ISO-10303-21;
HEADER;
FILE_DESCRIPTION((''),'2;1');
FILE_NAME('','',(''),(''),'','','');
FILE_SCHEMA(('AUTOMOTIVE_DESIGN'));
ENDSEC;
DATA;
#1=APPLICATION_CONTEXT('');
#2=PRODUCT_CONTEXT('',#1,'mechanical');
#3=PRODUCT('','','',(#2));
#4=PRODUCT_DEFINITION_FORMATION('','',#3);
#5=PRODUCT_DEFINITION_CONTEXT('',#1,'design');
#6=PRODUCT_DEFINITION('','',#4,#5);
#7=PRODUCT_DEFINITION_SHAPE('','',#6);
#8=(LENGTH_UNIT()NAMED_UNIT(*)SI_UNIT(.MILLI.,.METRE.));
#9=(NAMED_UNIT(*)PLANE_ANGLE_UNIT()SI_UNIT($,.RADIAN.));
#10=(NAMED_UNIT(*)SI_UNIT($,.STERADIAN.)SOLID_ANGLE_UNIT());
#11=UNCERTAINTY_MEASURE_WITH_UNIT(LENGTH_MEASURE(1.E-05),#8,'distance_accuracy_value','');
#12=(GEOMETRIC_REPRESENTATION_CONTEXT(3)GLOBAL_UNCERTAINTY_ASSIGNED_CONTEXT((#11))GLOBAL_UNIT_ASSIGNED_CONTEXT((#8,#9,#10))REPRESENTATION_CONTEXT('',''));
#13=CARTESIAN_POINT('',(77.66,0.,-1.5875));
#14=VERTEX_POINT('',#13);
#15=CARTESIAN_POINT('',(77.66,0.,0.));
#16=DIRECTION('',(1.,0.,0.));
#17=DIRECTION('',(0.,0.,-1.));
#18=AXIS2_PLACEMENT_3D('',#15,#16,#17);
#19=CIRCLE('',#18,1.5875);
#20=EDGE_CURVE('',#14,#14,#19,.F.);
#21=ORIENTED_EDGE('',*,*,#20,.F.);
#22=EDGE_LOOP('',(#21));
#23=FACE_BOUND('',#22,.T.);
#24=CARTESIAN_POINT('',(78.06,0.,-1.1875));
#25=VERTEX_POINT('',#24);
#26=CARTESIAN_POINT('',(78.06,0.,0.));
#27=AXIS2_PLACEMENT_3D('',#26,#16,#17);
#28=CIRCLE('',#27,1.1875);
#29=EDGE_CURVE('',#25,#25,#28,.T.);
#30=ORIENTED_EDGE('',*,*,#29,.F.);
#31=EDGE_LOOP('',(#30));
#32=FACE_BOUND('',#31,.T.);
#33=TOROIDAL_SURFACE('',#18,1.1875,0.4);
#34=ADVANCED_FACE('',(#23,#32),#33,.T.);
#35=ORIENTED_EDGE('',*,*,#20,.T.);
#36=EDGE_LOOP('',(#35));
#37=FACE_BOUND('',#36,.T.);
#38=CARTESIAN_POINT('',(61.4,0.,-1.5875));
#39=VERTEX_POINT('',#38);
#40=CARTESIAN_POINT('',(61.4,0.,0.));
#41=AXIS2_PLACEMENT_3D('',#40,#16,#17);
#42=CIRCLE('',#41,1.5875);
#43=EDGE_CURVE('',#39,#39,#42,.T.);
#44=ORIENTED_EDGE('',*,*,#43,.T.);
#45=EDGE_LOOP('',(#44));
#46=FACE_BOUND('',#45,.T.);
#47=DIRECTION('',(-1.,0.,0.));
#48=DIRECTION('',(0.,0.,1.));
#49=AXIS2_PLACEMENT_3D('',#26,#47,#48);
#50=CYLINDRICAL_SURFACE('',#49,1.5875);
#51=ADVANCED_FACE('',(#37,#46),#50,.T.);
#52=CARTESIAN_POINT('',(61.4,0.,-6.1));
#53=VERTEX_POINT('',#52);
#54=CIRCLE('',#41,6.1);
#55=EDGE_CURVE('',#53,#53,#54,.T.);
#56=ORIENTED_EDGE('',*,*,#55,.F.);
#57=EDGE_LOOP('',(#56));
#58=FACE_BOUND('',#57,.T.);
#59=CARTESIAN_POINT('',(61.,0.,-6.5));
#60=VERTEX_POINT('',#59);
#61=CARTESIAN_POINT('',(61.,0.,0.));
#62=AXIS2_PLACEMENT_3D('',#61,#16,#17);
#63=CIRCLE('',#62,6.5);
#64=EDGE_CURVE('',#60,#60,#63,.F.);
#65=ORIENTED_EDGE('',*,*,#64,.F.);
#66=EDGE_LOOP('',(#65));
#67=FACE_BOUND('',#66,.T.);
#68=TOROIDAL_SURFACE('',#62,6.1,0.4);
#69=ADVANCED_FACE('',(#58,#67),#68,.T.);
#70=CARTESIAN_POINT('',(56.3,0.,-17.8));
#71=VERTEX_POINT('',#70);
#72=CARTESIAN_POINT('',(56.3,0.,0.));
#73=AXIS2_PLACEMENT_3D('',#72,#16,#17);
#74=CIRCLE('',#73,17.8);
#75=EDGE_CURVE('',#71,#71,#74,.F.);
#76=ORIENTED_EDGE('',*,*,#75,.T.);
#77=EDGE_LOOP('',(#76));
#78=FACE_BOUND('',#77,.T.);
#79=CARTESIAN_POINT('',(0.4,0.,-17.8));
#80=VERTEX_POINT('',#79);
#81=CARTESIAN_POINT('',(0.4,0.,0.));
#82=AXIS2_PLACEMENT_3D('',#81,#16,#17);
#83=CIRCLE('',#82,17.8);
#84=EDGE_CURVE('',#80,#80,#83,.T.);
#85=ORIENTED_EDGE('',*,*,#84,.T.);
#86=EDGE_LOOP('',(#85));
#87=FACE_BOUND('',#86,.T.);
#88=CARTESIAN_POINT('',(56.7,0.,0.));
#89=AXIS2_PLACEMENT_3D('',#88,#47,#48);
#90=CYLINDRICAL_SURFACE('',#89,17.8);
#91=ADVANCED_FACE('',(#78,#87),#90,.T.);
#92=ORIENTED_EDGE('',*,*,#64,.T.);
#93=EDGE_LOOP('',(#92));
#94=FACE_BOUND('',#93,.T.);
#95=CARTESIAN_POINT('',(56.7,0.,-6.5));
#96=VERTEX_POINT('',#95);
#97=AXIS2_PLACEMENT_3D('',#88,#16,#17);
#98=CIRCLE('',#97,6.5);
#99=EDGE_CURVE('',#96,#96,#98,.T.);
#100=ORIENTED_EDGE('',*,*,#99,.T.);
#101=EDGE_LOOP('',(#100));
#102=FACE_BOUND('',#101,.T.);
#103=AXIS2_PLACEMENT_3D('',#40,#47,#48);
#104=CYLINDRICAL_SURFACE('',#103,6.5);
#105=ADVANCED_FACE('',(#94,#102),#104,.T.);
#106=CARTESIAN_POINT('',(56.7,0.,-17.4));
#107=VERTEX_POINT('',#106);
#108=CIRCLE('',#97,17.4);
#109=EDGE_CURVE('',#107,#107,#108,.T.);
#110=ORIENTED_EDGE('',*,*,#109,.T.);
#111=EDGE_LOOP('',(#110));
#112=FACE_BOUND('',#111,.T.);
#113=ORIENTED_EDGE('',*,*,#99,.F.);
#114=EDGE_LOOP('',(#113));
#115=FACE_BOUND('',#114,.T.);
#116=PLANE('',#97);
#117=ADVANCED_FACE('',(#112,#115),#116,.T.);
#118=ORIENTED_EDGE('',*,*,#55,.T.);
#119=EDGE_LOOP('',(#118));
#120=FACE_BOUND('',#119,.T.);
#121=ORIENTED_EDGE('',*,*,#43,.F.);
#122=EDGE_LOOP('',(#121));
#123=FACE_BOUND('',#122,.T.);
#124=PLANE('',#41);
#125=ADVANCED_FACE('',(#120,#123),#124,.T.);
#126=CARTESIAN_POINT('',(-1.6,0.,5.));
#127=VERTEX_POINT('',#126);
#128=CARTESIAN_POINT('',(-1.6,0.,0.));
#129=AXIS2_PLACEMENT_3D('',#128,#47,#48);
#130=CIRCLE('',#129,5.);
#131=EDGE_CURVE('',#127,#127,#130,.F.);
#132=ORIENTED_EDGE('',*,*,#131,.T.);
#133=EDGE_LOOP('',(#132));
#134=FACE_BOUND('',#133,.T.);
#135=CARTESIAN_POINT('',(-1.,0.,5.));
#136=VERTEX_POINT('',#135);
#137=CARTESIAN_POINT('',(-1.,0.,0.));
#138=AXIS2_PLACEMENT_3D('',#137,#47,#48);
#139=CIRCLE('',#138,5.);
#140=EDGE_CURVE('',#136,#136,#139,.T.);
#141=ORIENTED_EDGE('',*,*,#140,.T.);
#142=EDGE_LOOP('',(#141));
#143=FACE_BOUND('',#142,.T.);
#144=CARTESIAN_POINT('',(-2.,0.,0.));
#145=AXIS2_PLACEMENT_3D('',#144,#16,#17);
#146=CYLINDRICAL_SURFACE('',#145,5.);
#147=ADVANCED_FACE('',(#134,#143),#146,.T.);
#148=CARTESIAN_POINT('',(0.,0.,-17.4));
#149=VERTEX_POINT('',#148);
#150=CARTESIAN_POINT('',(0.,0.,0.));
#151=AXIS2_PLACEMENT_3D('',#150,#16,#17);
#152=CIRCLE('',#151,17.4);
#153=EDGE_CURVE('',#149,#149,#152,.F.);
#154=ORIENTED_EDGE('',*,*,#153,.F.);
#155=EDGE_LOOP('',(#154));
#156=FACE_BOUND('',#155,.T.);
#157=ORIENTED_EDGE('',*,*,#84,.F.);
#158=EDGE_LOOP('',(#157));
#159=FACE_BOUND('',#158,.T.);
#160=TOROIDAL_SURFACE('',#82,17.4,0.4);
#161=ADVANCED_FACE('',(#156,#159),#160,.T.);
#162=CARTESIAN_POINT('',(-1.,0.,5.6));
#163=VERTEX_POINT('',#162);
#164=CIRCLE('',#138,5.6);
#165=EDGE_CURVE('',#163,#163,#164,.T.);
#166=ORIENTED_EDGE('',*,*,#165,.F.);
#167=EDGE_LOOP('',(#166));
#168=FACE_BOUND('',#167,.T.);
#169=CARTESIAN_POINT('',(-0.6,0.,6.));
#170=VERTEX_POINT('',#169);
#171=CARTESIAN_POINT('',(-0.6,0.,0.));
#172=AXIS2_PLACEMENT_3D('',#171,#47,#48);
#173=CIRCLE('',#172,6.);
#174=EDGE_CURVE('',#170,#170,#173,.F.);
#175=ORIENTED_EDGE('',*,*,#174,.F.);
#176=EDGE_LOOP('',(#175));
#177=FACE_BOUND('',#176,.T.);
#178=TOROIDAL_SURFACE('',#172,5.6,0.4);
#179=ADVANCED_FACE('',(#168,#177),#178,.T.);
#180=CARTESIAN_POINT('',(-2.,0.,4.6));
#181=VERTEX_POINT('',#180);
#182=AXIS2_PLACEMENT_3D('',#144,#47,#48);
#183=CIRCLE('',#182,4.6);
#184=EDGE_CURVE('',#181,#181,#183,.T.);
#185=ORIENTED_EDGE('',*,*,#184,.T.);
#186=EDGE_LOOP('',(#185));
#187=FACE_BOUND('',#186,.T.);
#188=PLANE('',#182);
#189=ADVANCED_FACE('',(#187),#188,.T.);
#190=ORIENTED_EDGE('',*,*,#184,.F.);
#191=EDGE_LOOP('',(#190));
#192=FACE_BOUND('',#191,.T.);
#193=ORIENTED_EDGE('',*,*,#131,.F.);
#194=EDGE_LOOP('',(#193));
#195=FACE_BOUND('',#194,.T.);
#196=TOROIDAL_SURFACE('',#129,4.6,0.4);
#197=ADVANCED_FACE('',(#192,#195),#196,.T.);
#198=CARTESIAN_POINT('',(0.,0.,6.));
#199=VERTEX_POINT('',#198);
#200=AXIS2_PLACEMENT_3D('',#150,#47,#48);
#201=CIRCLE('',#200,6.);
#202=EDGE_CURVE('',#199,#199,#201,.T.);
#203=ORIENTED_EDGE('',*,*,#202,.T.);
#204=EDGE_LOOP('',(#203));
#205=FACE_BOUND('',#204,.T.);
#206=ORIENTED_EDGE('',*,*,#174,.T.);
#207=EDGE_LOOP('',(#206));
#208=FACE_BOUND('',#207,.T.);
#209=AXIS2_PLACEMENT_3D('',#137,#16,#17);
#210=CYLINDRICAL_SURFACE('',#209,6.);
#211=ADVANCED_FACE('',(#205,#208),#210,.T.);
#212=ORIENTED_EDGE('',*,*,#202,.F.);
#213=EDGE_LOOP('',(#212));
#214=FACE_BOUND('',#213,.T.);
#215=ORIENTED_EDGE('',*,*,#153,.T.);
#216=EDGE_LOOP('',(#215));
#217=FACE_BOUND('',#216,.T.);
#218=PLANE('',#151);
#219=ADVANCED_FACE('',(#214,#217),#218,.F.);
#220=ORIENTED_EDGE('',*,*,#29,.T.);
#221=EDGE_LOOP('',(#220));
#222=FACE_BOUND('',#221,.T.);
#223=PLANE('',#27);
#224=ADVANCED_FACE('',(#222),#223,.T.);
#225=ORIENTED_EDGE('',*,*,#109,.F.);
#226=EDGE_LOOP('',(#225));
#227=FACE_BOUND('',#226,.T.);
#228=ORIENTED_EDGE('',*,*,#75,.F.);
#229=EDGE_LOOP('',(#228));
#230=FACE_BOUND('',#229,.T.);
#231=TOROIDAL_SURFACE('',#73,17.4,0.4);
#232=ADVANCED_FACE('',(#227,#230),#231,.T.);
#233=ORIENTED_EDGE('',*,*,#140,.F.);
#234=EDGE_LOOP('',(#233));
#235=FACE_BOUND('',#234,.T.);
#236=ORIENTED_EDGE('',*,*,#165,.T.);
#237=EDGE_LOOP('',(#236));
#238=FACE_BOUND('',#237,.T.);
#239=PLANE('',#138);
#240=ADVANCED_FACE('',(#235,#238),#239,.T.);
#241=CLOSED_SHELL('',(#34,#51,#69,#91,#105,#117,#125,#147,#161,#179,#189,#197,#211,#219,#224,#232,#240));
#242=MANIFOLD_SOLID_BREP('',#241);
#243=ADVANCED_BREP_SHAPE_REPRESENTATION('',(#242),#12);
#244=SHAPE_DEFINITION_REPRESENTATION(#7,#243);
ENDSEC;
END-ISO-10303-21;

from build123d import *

# Parameters (mm, degrees)
CROQUIS1_R              = 17.8
SALIENTE_EXTRUIR1_DEPTH = 56.7
CROQUIS2_R              = 6
SALIENTE_EXTRUIR2_DEPTH = 1
CROQUIS3_R              = 5
SALIENTE_EXTRUIR3_DEPTH = 1
CROQUIS4_R              = 6.5
SALIENTE_EXTRUIR4_DEPTH = 4.7
CROQUIS5_R              = 1.5875
SALIENTE_EXTRUIR5_DEPTH = 16.66
REDONDEO1_R             = 0.4


with BuildPart() as part:
    # Croquis1 → Saliente-Extruir1 (new body)
    with BuildSketch(Plane(origin=(0, 0, 0), x_dir=(0, 0, -1), z_dir=(1, 0, 0))):
        Circle(CROQUIS1_R)
    extrude(amount=SALIENTE_EXTRUIR1_DEPTH)

    # Croquis2 → Saliente-Extruir2 (add)
    with BuildSketch(Plane.ZY):
        Circle(CROQUIS2_R)
    extrude(amount=SALIENTE_EXTRUIR2_DEPTH)

    # Croquis3 → Saliente-Extruir3 (add)
    with BuildSketch(Plane.ZY.offset(1)):
        Circle(CROQUIS3_R)
    extrude(amount=SALIENTE_EXTRUIR3_DEPTH)

    # Croquis4 → Saliente-Extruir4 (add)
    with BuildSketch(Plane(origin=(56.7, 0, 0), x_dir=(0, 0, -1), z_dir=(1, 0, 0))):
        Circle(CROQUIS4_R)
    extrude(amount=SALIENTE_EXTRUIR4_DEPTH)

    # Croquis5 → Saliente-Extruir5 (add)
    with BuildSketch(Plane(origin=(61.4, 0, 0), x_dir=(0, 0, -1), z_dir=(1, 0, 0))):
        Circle(CROQUIS5_R)
    extrude(amount=SALIENTE_EXTRUIR5_DEPTH)

    # Redondeo1
    redondeo1_edges = [part.edges().sort_by_distance(p)[0] for p in [
        (-2, 0, -5),
        (61.4, 0, 6.5),
        (0, 0, 17.8),
        (78.06, 0, 1.5875),
        (56.7, 0, 17.8),
        (-1, 0, -6),
    ]]
    fillet(redondeo1_edges, radius=REDONDEO1_R)


solid = part.part
